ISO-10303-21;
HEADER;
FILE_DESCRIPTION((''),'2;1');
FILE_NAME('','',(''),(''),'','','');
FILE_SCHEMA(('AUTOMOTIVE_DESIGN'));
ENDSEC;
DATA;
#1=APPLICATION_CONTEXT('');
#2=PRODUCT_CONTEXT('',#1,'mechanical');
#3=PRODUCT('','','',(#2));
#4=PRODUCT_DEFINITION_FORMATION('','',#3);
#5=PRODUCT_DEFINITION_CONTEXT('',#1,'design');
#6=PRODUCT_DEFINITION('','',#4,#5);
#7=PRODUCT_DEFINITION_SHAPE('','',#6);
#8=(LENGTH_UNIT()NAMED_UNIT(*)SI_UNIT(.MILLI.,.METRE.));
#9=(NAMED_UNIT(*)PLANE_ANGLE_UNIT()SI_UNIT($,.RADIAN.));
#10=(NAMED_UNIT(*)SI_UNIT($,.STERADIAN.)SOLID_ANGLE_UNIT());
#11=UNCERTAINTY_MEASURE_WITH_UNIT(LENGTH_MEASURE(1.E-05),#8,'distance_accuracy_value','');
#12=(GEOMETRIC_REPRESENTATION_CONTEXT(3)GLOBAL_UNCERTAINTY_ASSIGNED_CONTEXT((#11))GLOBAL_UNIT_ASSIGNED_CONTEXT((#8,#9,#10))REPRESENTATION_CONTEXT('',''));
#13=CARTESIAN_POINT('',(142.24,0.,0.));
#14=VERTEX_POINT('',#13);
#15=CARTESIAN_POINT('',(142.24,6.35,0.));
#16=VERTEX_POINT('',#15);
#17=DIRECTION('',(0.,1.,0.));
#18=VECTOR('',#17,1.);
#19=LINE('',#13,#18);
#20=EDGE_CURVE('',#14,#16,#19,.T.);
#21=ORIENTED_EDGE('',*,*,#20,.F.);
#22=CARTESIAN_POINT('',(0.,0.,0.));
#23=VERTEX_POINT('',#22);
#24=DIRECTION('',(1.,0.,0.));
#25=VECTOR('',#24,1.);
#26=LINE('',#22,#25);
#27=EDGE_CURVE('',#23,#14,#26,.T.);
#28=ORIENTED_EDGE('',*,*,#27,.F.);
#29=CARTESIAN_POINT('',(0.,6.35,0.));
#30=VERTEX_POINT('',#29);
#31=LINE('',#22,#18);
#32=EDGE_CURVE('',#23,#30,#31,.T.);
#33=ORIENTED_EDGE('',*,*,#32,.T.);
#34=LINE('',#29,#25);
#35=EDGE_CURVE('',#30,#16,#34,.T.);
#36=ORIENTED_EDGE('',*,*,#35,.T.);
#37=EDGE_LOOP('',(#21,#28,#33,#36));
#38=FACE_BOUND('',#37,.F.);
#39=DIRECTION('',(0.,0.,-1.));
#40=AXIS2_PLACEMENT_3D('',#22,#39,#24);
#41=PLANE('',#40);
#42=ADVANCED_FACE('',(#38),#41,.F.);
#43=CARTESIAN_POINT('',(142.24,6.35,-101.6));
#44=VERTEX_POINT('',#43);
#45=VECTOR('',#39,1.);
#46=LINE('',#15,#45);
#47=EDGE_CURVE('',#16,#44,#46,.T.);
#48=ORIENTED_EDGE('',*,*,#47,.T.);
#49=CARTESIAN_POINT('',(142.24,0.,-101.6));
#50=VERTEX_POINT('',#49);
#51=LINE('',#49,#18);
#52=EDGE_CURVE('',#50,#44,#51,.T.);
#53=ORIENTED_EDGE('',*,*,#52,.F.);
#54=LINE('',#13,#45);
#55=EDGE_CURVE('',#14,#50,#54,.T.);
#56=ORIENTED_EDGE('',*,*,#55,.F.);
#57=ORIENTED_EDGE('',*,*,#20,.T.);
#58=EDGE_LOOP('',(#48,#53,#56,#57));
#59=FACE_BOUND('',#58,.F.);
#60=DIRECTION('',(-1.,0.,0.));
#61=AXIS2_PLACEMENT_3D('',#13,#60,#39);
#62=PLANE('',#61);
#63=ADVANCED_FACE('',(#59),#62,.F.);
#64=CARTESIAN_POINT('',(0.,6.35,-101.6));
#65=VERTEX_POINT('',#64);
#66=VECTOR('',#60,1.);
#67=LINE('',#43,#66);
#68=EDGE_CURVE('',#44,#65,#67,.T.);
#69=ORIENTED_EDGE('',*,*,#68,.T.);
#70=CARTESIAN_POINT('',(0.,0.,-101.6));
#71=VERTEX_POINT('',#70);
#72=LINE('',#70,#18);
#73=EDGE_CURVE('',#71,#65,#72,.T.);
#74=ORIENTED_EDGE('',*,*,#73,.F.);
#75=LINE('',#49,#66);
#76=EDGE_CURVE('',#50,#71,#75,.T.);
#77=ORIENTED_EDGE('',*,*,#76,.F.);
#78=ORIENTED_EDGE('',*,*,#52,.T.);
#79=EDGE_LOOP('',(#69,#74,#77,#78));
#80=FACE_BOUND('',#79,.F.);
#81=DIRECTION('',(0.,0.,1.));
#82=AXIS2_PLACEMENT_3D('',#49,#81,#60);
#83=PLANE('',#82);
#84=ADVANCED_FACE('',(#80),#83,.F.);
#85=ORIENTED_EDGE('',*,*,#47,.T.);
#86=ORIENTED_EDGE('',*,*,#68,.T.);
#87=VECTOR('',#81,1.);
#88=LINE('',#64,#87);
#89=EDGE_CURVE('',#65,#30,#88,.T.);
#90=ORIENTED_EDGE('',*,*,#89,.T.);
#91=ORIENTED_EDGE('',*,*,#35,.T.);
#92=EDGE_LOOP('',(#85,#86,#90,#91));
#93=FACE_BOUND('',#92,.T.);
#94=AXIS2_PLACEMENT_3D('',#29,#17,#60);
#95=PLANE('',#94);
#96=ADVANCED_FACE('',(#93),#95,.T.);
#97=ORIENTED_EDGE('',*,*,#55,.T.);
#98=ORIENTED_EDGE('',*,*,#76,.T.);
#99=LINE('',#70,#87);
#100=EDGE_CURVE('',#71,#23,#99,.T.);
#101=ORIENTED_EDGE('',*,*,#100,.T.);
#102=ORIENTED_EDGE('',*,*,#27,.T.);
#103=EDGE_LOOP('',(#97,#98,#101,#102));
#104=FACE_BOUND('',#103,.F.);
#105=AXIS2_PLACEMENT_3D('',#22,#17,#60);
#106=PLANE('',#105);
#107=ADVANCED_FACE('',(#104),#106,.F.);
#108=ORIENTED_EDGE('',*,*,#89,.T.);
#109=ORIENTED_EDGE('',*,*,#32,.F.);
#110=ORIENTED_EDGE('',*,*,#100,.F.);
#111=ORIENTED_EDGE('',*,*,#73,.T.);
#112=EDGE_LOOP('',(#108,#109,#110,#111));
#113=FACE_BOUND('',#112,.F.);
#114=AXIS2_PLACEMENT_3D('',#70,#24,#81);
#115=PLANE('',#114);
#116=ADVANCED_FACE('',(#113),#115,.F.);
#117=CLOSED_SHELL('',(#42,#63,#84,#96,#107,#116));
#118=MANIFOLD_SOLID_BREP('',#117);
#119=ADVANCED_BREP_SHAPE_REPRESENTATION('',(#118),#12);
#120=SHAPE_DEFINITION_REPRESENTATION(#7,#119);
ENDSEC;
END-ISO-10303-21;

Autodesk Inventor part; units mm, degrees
ref_plane "YZ Plane" through (0, 0, 0) normal (1, 0, 0) x (0, 1, 0)
ref_plane "XZ Plane" through (0, 0, 0) normal (0, 1, 0) x (-1, 0, 0)
ref_plane "XY Plane" through (0, 0, 0) normal (0, 0, 1) x (1, 0, 0)
sketch "Sketch1" plane through (0, 0, 0) normal (0, 1, 0) x (-1, 0, 0)
  line L0 (0, 0) -> (-142.24, 0)
  line L1 (-142.24, 0) -> (-142.24, -101.6)
  line L2 (-142.24, -101.6) -> (0, -101.6)
  line L3 (0, -101.6) -> (0, 0)
  dimension "d0" = 142.24
  dimension "d1" = 101.6
extrude "Extrusion1" add sketch "Sketch1" along normal blind 6.35
properties part number "LowerElectronicsPlatform"
